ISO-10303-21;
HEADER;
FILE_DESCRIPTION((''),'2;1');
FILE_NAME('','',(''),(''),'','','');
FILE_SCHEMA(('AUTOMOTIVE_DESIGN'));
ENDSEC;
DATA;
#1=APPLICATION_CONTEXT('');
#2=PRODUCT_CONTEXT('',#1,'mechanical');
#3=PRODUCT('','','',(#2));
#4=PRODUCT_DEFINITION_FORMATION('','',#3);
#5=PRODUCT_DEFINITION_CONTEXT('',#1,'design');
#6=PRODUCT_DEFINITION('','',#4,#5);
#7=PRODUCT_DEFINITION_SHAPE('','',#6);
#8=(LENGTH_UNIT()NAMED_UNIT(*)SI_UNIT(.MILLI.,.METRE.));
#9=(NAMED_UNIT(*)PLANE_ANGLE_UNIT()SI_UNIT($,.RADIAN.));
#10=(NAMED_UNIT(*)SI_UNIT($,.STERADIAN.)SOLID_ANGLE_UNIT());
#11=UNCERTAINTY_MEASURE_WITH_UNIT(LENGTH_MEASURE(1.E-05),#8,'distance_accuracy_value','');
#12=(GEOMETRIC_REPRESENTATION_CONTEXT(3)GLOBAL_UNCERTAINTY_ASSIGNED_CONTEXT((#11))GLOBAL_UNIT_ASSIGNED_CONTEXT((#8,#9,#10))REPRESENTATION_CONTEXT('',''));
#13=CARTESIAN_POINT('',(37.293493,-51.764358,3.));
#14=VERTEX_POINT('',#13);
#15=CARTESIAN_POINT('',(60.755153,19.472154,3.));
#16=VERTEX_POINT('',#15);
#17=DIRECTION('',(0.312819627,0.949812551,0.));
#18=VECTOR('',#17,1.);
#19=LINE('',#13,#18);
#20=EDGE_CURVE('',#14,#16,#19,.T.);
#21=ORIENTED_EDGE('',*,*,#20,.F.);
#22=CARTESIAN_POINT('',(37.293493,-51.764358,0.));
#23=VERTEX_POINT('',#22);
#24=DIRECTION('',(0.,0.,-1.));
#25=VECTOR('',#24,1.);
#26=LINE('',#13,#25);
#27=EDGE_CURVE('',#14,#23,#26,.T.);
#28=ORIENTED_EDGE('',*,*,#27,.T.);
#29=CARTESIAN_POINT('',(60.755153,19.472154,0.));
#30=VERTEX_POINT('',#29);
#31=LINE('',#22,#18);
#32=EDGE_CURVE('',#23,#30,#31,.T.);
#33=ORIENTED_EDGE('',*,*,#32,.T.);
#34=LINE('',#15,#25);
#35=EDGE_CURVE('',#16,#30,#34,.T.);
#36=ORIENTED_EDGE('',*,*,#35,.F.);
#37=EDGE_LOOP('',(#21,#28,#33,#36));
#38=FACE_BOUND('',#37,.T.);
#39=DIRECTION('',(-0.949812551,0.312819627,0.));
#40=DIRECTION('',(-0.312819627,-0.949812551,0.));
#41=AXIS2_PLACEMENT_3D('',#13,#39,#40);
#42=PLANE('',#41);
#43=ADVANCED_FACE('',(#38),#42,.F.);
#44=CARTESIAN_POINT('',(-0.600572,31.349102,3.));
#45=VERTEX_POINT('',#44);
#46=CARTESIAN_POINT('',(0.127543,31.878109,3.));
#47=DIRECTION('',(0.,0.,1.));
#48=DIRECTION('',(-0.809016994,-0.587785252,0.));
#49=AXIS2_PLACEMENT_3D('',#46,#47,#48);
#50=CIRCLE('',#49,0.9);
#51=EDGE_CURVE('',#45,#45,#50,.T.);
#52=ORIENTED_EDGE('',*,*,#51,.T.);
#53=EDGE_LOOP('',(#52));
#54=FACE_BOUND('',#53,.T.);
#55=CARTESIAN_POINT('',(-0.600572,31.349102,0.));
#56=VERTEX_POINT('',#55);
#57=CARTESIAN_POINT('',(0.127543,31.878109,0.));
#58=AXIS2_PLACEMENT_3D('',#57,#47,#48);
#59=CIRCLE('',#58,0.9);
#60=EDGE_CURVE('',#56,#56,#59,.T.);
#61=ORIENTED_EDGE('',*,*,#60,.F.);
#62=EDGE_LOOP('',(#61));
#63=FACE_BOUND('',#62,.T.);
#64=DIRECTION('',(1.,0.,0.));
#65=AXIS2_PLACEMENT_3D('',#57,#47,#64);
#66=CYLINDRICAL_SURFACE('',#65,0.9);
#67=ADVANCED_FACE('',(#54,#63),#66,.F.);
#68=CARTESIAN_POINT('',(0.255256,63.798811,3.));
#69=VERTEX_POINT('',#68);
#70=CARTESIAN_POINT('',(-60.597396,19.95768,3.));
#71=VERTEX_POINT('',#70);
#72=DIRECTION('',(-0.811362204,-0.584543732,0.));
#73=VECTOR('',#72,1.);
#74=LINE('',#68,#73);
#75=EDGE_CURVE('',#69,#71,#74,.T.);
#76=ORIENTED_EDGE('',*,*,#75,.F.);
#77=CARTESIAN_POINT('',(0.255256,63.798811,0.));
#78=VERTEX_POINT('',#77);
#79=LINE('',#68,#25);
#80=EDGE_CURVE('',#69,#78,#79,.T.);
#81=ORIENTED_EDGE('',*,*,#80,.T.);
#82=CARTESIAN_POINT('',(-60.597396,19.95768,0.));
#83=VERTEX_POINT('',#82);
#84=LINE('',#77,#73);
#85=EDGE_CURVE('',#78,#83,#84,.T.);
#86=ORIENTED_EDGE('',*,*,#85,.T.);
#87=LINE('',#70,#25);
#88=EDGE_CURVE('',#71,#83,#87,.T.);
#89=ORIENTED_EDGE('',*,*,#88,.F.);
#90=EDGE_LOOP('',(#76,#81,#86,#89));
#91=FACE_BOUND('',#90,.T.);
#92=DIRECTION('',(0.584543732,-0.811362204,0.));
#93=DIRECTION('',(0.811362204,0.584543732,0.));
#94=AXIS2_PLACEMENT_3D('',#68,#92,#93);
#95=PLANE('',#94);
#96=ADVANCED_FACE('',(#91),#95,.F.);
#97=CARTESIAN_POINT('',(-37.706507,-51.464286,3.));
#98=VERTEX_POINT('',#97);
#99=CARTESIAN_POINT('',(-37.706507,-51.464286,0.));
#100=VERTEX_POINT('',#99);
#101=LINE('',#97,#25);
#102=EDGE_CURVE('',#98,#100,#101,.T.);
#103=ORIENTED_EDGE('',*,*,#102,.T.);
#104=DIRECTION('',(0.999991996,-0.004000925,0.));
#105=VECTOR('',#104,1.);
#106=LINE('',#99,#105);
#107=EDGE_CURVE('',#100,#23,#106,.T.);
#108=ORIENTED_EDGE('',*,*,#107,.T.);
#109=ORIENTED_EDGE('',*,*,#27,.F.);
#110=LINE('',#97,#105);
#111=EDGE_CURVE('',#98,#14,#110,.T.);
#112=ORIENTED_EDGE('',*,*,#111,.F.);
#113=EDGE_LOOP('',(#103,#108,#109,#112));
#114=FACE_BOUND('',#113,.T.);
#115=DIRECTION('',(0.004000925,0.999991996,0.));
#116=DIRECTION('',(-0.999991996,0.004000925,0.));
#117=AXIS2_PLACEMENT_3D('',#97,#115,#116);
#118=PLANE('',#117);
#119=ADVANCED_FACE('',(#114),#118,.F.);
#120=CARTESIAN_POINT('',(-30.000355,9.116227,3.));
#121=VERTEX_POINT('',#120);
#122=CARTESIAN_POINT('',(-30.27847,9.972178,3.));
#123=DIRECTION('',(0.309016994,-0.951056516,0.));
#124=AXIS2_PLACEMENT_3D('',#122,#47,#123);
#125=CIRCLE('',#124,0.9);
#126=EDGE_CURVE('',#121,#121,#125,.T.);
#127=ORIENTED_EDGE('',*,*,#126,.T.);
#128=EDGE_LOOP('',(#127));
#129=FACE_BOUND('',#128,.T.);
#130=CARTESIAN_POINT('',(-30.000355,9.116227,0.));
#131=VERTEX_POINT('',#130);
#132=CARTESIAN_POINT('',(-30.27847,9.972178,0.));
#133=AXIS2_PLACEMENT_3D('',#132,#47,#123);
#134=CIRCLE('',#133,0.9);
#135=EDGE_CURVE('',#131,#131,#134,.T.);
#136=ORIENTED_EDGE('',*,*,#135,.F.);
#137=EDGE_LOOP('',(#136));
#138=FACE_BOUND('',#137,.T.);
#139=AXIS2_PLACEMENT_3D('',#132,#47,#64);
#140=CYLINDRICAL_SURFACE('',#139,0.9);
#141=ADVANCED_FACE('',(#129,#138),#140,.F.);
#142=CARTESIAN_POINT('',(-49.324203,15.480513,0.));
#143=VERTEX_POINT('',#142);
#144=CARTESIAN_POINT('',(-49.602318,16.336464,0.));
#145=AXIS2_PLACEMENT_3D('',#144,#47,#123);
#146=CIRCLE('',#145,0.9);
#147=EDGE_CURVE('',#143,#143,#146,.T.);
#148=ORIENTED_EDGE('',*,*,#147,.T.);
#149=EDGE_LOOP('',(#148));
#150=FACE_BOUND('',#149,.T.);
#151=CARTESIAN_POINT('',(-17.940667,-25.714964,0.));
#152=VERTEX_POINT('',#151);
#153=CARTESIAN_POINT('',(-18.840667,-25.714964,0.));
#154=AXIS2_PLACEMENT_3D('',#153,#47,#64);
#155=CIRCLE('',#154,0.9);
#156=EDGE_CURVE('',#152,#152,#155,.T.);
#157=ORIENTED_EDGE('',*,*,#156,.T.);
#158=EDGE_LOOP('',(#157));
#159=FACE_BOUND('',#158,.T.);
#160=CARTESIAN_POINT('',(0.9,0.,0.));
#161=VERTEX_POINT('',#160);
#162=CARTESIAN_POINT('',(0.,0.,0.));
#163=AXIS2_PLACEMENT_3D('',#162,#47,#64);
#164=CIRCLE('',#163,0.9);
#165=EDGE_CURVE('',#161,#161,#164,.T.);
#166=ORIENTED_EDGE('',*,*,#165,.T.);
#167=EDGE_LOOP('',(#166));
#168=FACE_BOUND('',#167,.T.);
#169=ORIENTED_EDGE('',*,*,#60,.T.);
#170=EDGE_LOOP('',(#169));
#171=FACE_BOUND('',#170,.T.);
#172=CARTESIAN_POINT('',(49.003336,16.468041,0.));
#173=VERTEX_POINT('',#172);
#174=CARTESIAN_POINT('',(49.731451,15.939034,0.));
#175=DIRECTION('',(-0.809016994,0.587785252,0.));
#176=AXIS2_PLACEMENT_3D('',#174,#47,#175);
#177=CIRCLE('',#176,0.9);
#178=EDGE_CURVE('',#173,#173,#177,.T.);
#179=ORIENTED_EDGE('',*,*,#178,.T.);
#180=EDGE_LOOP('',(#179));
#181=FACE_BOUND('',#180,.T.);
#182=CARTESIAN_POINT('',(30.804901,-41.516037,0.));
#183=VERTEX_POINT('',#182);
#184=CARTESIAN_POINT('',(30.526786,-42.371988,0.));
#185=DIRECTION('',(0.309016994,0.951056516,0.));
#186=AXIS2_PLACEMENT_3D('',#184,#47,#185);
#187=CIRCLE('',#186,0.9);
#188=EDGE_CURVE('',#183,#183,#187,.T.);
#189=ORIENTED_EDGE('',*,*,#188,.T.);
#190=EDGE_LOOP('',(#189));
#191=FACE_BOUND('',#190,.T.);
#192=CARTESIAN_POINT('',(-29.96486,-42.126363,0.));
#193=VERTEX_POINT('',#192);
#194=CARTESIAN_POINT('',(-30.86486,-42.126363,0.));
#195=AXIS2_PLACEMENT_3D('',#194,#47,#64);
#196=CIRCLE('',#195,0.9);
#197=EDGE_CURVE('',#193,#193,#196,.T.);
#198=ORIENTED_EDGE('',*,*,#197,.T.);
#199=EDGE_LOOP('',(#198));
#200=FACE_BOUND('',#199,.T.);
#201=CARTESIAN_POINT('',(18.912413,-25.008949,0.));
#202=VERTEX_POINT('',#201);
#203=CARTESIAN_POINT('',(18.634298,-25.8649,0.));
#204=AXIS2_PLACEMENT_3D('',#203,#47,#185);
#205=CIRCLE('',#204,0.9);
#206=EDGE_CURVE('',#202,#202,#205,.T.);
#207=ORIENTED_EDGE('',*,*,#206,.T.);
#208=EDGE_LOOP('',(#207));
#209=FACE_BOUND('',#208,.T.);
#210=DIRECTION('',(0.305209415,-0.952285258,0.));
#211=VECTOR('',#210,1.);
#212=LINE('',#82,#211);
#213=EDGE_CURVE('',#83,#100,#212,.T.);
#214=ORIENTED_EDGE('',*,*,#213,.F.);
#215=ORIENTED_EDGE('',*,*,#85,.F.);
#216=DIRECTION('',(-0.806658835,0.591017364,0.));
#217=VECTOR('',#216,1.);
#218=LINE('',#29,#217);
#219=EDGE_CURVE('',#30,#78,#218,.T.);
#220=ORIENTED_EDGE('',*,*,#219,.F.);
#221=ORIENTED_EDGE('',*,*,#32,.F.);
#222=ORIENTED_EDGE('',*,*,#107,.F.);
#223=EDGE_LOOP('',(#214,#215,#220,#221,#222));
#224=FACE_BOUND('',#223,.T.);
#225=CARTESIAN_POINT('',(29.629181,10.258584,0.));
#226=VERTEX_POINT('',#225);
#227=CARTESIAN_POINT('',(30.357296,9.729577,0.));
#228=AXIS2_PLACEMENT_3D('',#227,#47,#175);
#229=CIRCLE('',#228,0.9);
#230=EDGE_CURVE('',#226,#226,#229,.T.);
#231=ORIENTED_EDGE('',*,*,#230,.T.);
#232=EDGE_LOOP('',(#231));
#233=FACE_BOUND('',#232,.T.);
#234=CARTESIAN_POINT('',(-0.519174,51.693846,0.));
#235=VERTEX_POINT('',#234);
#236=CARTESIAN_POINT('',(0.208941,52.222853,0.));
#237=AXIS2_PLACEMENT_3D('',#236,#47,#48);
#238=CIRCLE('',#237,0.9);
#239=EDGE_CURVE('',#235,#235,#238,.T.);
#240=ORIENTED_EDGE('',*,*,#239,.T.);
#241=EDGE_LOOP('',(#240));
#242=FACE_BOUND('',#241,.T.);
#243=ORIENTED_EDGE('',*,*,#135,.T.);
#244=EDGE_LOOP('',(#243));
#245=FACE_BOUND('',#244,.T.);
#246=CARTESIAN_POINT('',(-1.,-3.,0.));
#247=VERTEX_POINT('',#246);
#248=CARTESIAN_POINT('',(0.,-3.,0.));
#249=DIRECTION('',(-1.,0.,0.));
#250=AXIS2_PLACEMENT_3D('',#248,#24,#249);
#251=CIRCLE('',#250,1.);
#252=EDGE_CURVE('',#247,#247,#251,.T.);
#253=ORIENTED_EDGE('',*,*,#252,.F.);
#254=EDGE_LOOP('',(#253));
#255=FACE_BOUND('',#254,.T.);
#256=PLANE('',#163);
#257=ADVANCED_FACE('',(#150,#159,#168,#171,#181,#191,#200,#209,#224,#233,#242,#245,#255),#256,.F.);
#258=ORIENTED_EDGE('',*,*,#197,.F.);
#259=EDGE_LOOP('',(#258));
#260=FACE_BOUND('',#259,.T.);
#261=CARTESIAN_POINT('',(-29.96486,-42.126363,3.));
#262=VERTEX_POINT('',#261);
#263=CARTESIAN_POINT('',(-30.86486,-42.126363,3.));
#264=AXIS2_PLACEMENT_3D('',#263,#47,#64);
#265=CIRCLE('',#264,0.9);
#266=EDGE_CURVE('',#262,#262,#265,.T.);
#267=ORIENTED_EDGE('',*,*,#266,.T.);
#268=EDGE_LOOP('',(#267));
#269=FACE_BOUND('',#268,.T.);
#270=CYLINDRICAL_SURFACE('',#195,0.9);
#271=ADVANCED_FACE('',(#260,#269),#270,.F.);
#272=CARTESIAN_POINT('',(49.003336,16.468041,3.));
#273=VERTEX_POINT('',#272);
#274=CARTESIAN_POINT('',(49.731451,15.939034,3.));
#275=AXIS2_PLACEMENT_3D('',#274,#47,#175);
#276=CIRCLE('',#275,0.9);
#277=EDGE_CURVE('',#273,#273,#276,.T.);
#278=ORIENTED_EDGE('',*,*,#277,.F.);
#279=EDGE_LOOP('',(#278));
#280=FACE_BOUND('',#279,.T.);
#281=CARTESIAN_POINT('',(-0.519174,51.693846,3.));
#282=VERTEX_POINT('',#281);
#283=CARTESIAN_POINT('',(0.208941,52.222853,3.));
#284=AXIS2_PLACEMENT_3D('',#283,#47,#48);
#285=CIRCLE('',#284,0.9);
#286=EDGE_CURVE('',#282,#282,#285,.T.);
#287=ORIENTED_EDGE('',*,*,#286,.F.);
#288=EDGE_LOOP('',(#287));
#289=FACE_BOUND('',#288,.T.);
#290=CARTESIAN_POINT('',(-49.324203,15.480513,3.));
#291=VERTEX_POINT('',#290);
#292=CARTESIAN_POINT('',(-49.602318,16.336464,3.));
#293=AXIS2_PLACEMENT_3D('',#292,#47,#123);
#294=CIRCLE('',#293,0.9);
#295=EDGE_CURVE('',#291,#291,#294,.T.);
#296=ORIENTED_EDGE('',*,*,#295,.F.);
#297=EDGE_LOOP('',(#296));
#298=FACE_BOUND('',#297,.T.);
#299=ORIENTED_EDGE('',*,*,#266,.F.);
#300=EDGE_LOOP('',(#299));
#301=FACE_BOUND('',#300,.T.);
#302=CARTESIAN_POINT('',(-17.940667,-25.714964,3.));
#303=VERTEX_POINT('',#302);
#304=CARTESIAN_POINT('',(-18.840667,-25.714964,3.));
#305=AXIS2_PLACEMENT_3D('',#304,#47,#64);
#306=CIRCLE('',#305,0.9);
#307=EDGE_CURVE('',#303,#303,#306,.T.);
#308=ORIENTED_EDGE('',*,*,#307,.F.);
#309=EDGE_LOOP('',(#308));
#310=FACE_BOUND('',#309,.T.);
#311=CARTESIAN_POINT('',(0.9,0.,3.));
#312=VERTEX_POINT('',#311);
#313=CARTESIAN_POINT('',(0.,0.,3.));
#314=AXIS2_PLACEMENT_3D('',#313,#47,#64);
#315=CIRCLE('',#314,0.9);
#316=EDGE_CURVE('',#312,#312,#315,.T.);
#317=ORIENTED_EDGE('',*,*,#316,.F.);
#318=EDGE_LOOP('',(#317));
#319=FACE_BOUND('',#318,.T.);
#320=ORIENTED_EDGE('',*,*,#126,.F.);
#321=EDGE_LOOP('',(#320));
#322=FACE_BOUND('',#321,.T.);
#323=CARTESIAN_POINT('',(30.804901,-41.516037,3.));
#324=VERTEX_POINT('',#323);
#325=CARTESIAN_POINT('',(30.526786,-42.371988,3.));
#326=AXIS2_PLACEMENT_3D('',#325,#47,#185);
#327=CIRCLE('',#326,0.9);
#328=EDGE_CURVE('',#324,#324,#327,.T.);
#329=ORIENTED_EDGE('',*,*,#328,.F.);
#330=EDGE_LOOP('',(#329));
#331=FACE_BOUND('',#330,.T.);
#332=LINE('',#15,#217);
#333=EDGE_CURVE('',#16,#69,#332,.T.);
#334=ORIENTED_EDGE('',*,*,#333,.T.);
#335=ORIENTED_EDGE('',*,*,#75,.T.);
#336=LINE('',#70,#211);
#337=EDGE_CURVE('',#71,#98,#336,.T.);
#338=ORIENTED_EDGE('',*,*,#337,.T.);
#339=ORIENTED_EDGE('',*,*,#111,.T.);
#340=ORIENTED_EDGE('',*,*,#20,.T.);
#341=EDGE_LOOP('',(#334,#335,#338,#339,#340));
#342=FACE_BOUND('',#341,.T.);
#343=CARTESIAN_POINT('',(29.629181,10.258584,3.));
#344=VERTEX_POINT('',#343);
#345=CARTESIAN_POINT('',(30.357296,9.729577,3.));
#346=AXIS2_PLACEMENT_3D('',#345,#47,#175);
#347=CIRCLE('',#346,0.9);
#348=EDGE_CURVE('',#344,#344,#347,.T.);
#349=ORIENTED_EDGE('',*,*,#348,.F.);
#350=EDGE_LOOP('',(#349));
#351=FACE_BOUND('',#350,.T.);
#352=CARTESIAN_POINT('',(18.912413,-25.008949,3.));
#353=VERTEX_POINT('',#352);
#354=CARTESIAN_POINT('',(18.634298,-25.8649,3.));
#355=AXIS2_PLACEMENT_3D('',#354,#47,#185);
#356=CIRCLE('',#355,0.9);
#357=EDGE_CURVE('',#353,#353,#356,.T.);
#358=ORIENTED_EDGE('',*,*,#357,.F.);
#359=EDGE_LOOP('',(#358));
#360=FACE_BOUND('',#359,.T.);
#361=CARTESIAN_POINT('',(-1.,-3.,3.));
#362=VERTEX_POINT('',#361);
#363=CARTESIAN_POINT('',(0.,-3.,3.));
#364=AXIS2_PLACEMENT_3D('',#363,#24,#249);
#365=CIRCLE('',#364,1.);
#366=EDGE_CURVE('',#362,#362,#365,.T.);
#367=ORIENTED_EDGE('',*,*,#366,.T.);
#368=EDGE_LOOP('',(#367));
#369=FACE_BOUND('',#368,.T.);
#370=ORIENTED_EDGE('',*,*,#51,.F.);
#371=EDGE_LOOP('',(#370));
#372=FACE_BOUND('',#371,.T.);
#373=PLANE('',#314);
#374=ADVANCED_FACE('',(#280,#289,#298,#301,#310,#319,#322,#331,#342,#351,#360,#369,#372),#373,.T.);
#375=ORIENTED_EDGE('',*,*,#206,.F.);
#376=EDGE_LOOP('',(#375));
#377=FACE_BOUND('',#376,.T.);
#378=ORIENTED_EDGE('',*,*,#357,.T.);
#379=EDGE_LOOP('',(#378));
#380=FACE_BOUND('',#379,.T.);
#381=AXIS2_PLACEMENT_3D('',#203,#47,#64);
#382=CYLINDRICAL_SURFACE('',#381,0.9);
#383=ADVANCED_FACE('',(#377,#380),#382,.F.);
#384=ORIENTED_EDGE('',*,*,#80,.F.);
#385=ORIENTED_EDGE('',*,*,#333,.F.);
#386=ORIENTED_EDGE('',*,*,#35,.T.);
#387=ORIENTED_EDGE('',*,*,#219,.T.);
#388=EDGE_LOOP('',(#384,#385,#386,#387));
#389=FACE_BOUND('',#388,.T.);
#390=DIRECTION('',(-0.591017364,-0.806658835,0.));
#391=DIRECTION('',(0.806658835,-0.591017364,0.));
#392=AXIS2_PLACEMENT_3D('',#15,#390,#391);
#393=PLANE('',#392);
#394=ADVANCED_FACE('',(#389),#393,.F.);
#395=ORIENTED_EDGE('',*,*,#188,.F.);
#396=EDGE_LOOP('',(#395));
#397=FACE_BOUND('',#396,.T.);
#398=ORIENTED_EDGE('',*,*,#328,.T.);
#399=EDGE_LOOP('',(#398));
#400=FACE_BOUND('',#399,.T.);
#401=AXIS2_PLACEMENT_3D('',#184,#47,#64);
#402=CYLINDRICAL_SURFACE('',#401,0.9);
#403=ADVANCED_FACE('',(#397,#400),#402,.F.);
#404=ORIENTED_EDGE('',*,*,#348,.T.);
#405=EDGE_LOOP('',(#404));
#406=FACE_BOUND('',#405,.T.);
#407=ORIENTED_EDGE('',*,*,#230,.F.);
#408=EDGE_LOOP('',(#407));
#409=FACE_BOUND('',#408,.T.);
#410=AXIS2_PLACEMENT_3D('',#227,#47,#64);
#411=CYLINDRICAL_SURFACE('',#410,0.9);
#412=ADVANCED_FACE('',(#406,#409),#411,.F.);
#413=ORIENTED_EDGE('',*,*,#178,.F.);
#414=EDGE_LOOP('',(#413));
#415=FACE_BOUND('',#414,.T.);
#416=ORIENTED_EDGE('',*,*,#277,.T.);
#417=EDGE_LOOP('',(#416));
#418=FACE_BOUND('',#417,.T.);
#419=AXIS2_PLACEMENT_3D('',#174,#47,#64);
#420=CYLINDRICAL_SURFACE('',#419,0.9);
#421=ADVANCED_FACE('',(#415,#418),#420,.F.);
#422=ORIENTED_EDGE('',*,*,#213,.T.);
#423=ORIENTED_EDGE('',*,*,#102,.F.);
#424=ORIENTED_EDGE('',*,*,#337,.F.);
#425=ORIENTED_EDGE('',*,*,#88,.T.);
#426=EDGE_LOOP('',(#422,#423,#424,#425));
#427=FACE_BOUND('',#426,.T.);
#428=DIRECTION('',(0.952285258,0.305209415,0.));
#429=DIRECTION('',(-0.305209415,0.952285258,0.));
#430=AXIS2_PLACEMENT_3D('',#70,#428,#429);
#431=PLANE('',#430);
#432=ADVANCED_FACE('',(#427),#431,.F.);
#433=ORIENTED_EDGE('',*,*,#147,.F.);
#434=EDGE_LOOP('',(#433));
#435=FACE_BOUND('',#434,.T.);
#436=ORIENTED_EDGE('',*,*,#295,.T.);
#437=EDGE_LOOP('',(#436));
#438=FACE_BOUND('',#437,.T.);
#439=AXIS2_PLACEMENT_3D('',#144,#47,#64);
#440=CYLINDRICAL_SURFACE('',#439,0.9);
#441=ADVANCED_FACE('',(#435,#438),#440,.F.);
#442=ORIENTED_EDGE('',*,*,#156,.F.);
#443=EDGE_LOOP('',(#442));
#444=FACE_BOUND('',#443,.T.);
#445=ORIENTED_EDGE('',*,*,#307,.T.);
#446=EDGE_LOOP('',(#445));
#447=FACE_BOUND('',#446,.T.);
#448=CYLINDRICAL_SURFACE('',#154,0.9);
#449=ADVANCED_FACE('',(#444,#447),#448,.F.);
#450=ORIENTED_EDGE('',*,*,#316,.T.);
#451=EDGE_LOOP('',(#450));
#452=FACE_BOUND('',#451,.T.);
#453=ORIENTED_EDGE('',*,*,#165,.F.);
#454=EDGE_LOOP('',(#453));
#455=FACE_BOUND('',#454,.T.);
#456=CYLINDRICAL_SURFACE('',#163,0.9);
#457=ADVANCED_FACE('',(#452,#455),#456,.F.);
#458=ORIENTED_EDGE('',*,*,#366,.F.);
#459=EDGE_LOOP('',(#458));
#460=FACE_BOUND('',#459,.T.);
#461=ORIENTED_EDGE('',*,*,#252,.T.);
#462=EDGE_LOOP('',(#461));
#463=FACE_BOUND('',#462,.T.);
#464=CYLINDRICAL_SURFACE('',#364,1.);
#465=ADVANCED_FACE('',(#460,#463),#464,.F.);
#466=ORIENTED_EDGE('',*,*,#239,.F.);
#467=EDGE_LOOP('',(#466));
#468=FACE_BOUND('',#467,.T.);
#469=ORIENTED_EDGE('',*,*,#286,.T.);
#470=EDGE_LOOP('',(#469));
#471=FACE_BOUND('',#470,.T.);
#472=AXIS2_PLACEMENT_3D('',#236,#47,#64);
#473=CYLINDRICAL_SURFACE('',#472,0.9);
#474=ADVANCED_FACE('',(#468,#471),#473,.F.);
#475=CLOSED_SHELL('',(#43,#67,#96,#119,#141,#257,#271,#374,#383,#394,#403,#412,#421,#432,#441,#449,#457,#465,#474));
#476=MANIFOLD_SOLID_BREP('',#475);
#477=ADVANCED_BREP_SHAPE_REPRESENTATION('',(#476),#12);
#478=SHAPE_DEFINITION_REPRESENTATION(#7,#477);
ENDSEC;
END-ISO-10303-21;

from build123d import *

# Parameters (mm, degrees)
BOSS_EXTRUDE1_DEPTH = 3
SKETCH3_R           = 0.9
CUT_EXTRUDE1_DEPTH  = 3
SKETCH5_R           = 0.9
CUT_EXTRUDE2_DEPTH  = 3
CIRPATTERN1_COUNT   = 5
SKETCH6_R           = 1
CUT_EXTRUDE3_DEPTH  = 3


with BuildPart() as part:
    # Sketch1 → Boss-Extrude1 (new body)
    with BuildSketch(Plane.XY):
        Polygon((-37.706506674, -51.464286136), (37.293493326, -51.764357899), (60.755153109, 19.472153549), (0.255256287, 63.798810626), (-60.597396047, 19.95767986), align=None)
    extrude(amount=BOSS_EXTRUDE1_DEPTH)

    # Sketch3 → Cut-Extrude1 (cut)
    with BuildSketch(Plane.XY.offset(3)):
        Circle(SKETCH3_R)
    extrude(amount=-CUT_EXTRUDE1_DEPTH, mode=Mode.SUBTRACT)

    # Sketch5 → Cut-Extrude2 (cut)
    with BuildSketch(Plane.XY.offset(3)):
        with Locations((-30.864859889, -42.126362822)):
            Circle(SKETCH5_R)
        with Locations((-18.84066677, -25.714964105)):
            Circle(SKETCH5_R)
    cut_extrude2 = extrude(amount=-CUT_EXTRUDE2_DEPTH, mode=Mode.SUBTRACT)

    # CirPattern1: Cut-Extrude2 ×5 about axis
    cirpattern1_axis = Axis((0, 0, 0), (0, 0, 1))
    for i in range(1, CIRPATTERN1_COUNT):
        add(cut_extrude2.rotate(cirpattern1_axis, i * 360 / CIRPATTERN1_COUNT), mode=Mode.SUBTRACT)

    # Sketch6 → Cut-Extrude3 (cut)
    with BuildSketch(Plane(origin=(0, 0, 0), x_dir=(-1, 0, 0), z_dir=(0, 0, -1))):
        with Locations((0, -3)):
            Circle(SKETCH6_R)
    extrude(amount=-CUT_EXTRUDE3_DEPTH, mode=Mode.SUBTRACT)


solid = part.part
